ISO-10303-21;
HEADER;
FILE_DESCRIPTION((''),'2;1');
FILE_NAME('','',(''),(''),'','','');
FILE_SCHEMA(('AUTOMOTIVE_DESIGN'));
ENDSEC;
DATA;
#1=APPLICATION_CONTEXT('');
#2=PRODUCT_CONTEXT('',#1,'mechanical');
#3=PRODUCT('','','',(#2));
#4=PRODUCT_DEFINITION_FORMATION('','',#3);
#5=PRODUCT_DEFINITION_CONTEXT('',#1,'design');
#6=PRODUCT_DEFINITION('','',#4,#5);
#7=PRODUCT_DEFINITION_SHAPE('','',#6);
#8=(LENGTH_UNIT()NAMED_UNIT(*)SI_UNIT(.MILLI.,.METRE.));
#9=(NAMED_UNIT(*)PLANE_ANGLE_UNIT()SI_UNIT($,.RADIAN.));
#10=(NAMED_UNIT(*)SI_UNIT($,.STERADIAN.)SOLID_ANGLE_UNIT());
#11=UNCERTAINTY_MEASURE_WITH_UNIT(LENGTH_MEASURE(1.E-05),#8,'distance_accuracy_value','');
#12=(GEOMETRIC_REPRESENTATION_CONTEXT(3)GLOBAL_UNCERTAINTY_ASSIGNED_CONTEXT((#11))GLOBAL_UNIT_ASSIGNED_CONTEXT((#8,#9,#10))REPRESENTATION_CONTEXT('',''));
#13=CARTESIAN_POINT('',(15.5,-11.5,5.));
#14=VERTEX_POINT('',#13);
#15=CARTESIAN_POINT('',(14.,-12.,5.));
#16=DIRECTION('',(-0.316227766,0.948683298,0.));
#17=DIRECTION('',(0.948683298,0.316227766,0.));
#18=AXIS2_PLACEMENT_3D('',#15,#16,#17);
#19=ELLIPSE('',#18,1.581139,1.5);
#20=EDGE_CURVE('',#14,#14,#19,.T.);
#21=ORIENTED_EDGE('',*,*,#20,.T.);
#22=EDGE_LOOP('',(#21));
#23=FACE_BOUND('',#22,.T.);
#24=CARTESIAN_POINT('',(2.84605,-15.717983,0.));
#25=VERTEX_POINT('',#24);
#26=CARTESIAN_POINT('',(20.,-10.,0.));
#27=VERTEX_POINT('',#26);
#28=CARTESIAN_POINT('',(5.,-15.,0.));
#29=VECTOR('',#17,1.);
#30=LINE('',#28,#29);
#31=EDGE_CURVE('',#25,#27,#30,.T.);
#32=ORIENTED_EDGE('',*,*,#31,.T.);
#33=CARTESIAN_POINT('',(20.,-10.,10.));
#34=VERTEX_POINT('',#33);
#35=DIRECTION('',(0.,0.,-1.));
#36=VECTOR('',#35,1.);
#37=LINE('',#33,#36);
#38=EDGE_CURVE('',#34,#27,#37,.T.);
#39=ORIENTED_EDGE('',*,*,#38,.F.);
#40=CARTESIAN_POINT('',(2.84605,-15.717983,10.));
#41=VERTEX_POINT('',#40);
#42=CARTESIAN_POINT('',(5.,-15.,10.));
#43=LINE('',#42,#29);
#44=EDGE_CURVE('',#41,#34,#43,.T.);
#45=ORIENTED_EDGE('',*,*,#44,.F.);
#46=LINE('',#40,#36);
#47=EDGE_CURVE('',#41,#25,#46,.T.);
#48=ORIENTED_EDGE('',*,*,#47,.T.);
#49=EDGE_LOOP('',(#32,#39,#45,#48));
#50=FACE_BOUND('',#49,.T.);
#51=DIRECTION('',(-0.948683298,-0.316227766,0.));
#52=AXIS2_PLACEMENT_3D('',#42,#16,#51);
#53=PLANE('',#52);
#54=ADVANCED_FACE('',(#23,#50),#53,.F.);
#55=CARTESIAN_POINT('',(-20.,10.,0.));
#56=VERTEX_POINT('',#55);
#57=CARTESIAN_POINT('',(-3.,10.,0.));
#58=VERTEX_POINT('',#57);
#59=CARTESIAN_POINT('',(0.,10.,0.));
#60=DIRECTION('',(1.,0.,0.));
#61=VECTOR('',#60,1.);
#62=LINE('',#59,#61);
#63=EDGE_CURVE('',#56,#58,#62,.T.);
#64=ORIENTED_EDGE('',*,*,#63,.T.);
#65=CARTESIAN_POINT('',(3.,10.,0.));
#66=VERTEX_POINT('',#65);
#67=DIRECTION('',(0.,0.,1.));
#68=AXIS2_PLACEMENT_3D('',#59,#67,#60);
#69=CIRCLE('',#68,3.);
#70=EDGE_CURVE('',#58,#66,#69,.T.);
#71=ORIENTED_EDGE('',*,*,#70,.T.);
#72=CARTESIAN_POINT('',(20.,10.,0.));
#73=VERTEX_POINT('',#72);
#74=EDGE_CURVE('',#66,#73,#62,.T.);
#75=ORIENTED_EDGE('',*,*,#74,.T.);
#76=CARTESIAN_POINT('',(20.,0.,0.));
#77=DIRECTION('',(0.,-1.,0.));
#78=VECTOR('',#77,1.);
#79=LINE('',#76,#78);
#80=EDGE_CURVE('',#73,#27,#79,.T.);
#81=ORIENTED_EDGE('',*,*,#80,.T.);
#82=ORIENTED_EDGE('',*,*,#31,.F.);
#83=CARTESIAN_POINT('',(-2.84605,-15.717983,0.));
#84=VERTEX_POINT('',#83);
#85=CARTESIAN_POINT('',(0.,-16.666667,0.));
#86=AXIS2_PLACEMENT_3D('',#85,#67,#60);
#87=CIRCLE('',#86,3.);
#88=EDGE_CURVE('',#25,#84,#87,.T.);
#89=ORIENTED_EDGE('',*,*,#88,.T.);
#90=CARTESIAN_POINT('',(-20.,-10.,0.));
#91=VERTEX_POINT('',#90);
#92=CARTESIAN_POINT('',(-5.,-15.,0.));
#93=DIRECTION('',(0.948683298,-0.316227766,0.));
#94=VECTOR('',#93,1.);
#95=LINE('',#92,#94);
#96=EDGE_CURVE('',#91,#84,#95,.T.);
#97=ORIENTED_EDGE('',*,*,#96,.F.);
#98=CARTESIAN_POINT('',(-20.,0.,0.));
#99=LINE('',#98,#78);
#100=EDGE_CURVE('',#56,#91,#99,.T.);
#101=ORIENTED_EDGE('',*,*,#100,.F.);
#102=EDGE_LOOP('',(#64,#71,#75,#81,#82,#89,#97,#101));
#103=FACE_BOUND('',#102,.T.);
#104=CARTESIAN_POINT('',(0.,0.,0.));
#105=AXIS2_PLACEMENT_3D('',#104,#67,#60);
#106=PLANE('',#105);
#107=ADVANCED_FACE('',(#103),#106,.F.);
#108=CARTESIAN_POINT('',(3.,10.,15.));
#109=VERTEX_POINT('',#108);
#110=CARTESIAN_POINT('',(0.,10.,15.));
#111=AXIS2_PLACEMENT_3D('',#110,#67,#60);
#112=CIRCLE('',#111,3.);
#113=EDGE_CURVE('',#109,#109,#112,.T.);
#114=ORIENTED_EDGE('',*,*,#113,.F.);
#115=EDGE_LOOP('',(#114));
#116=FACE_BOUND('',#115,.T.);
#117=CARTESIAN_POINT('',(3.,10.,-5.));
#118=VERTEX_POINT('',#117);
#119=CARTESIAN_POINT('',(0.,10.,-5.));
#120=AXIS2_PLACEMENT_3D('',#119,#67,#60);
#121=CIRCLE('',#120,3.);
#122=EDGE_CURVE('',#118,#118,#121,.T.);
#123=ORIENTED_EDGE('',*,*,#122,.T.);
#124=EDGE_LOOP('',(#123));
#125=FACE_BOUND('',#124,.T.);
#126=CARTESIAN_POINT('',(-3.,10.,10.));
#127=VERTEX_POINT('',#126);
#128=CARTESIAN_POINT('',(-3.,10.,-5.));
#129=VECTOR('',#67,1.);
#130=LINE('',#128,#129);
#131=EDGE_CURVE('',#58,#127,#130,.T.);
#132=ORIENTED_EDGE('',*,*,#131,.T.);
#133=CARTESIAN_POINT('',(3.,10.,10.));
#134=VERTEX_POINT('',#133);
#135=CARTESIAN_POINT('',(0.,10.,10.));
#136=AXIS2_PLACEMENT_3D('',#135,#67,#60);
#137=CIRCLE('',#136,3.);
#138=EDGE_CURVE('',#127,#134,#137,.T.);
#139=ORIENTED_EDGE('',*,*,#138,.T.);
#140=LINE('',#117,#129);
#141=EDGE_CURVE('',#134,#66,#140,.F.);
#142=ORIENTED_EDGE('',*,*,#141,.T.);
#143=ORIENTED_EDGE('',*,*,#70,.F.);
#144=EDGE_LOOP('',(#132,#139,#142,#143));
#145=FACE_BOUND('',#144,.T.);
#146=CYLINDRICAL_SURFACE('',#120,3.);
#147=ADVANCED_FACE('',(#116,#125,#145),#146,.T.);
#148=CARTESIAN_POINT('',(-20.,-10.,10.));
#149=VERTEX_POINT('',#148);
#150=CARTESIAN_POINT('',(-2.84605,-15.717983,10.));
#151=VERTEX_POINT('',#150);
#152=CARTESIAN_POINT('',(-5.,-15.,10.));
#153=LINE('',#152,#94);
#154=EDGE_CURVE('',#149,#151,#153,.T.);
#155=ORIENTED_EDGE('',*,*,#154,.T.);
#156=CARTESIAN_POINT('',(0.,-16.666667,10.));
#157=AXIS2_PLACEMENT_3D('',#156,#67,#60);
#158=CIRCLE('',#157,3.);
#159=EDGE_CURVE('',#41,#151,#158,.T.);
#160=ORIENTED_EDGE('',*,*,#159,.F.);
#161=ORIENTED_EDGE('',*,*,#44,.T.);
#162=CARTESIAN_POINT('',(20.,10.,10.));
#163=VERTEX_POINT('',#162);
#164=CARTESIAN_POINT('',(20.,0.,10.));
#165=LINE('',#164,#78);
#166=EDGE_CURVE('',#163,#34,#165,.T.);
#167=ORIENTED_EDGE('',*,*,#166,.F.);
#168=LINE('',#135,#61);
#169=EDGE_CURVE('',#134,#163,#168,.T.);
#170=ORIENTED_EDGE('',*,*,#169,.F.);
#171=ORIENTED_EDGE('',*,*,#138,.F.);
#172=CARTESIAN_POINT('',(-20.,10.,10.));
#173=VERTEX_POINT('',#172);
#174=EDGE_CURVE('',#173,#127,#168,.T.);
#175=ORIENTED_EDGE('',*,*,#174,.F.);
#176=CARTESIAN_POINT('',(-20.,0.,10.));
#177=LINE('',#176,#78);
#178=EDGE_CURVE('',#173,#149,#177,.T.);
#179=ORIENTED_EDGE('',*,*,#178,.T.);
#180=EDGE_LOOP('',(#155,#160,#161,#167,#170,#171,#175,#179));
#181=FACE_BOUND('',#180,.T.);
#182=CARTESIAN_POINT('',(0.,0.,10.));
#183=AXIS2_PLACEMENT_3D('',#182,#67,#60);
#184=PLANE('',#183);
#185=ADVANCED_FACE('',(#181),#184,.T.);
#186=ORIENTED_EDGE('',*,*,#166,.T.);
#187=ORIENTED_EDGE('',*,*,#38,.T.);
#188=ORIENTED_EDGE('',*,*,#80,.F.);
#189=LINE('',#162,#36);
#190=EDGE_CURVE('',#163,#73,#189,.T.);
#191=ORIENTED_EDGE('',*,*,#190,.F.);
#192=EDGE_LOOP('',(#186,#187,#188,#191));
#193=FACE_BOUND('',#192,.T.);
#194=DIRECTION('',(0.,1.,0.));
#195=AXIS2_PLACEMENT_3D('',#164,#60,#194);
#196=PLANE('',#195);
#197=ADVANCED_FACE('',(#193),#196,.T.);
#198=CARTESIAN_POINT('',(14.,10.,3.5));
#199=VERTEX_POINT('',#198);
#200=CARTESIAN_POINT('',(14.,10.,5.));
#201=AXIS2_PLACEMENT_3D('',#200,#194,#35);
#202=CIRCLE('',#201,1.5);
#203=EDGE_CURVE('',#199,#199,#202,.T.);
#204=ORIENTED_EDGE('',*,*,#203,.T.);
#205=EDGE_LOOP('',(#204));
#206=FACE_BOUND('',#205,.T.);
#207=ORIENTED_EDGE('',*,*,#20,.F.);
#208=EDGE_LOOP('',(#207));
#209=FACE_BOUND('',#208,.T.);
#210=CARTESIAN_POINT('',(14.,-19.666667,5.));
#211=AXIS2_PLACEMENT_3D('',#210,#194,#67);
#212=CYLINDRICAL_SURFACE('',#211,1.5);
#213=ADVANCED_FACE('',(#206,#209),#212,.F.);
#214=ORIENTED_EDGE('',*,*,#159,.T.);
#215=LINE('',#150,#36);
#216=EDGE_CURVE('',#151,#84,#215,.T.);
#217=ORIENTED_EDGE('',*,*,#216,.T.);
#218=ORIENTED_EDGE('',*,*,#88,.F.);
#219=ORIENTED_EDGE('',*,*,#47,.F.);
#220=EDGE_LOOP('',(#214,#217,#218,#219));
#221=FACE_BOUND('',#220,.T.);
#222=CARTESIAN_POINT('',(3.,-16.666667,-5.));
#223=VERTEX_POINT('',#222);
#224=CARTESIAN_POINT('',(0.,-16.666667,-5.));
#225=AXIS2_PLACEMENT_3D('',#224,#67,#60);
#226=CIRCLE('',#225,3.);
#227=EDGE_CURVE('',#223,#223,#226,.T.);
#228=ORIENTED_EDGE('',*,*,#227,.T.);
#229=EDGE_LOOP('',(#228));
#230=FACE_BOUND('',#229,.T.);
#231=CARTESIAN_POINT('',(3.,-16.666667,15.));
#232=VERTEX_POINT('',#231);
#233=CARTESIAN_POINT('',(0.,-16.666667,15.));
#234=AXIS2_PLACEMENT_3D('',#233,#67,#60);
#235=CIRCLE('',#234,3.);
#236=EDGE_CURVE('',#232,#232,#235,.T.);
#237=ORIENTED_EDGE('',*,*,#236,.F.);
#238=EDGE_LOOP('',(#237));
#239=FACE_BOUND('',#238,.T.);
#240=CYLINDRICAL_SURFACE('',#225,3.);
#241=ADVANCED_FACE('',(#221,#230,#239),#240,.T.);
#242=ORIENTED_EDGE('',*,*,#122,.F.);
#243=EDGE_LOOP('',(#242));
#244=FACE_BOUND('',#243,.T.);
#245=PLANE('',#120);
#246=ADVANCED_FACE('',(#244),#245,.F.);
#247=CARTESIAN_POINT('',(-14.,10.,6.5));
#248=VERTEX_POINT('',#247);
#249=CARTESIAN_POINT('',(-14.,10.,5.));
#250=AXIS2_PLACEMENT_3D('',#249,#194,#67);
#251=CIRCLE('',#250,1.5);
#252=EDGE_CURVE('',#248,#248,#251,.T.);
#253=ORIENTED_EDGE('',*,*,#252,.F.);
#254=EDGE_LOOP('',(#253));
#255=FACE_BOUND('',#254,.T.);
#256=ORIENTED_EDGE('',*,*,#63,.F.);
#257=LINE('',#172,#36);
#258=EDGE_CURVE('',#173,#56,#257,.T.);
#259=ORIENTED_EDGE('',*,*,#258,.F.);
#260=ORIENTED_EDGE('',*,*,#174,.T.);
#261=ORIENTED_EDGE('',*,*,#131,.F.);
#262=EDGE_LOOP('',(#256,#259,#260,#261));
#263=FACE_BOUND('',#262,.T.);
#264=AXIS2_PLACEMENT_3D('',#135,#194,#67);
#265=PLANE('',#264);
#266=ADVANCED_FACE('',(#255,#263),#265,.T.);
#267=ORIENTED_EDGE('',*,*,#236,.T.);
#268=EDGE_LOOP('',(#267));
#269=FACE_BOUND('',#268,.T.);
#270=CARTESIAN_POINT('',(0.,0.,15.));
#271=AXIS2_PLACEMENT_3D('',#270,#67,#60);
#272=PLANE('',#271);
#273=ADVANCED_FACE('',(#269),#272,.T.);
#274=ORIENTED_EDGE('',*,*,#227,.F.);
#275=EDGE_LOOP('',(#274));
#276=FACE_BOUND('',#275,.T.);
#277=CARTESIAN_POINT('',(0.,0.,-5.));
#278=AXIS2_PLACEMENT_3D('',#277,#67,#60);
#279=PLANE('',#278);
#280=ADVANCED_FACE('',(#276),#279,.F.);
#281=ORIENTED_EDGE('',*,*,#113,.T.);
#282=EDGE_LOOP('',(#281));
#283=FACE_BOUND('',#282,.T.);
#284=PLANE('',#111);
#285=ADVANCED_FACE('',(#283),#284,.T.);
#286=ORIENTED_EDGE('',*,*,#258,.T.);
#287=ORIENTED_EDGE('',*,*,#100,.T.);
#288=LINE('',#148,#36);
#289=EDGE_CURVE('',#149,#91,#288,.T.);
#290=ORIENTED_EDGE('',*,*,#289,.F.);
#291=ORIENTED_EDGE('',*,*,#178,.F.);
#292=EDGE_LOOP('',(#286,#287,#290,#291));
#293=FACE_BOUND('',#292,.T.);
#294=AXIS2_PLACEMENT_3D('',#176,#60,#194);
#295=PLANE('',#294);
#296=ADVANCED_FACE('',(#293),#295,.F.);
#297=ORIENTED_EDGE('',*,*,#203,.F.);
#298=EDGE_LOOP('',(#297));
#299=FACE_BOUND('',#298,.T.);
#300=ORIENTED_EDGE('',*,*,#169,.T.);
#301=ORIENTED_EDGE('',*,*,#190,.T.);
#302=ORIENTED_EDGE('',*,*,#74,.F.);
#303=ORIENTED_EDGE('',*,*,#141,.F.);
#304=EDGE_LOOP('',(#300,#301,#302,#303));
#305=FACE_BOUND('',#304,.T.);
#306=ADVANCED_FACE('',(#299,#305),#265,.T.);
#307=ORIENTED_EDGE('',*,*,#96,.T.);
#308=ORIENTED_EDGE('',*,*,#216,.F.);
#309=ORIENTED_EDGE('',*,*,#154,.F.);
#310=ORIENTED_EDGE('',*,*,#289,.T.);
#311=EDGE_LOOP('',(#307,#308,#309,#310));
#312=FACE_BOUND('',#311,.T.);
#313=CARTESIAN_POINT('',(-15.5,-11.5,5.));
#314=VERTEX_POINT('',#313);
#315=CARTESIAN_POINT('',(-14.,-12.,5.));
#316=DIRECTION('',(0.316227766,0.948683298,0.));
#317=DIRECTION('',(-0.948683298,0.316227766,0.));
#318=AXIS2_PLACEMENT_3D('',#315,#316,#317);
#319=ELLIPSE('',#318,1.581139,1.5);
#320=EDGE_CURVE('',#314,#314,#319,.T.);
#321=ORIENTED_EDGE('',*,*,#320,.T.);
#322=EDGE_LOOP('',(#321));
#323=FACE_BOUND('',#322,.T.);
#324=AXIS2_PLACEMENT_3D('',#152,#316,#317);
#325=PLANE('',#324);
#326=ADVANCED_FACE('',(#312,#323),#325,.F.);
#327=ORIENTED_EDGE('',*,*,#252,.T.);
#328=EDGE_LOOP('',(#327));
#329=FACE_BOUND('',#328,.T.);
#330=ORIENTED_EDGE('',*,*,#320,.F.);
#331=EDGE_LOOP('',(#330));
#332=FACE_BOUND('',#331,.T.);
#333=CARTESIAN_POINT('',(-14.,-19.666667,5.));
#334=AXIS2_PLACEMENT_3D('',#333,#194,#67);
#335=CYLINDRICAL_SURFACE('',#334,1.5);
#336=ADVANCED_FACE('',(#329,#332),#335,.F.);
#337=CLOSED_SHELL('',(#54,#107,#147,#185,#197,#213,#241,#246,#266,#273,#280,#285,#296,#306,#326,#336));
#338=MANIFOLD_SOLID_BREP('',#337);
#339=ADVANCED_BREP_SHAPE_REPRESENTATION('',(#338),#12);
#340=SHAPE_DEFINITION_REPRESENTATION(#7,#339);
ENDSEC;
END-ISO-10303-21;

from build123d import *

# Parameters (mm, degrees)
BOSS_EXTRUDE1_DEPTH      = 10
BOSS_EXTRUDE2_DEPTH      = 15
BOSS_EXTRUDE2_DEPTH_BACK = 5
SKETCH2_R                = 1.5
CUT_EXTRUDE1_DEPTH       = 39.79576151
BOSS_EXTRUDE3_DEPTH      = 5
BOSS_EXTRUDE3_DEPTH_BACK = 15
SKETCH3_R                = 3


with BuildPart() as part:
    # Sketch1 → Boss-Extrude1 (new body)
    with BuildSketch(Plane.XY):
        with BuildLine():
            Line((-20, 10), (-20, -10))
            Line((-20, -10), (-2.846049894, -15.717983369))
            ThreePointArc((-2.846049894, -15.717983369), (0, -13.666666667), (2.846049894, -15.717983369))
            Line((2.846049894, -15.717983369), (20, -10))
            Line((20, -10), (20, 10))
            Line((20, 10), (-20, 10))
        make_face()
    extrude(amount=BOSS_EXTRUDE1_DEPTH)

    # Sketch1<3> → Boss-Extrude2 (add, two sides: drawn at the far end of the back side and taken through both)
    with BuildSketch(Plane.XY.offset(-BOSS_EXTRUDE2_DEPTH_BACK)):
        with BuildLine():
            ThreePointArc((2.846049894, -15.717983369), (0, -13.666666667), (-2.846049894, -15.717983369))
            ThreePointArc((-2.846049894, -15.717983369), (-0.480546729, -19.62792904), (3, -16.666666667))
            ThreePointArc((3, -16.666666667), (2.961262373, -16.186119938), (2.846049894, -15.717983369))
        make_face()
    extrude(amount=BOSS_EXTRUDE2_DEPTH + BOSS_EXTRUDE2_DEPTH_BACK)

    # Sketch2 → Cut-Extrude1 (cut, through all)
    with BuildSketch(Plane(origin=(0, 10, 0), x_dir=(1, 0, 0), z_dir=(0, 1, 0))):
        with Locations((-14, -5)):
            Circle(SKETCH2_R)
        with Locations((14, -5)):
            Circle(SKETCH2_R)
    extrude(amount=-CUT_EXTRUDE1_DEPTH, mode=Mode.SUBTRACT)

    # Sketch3 → Boss-Extrude3 (add, two sides: drawn at the far end of the back side and taken through both)
    with BuildSketch(Plane.XY.offset(10).offset(-BOSS_EXTRUDE3_DEPTH_BACK)):
        with Locations((0, 10)):
            Circle(SKETCH3_R)
    extrude(amount=BOSS_EXTRUDE3_DEPTH + BOSS_EXTRUDE3_DEPTH_BACK)


solid = part.part
